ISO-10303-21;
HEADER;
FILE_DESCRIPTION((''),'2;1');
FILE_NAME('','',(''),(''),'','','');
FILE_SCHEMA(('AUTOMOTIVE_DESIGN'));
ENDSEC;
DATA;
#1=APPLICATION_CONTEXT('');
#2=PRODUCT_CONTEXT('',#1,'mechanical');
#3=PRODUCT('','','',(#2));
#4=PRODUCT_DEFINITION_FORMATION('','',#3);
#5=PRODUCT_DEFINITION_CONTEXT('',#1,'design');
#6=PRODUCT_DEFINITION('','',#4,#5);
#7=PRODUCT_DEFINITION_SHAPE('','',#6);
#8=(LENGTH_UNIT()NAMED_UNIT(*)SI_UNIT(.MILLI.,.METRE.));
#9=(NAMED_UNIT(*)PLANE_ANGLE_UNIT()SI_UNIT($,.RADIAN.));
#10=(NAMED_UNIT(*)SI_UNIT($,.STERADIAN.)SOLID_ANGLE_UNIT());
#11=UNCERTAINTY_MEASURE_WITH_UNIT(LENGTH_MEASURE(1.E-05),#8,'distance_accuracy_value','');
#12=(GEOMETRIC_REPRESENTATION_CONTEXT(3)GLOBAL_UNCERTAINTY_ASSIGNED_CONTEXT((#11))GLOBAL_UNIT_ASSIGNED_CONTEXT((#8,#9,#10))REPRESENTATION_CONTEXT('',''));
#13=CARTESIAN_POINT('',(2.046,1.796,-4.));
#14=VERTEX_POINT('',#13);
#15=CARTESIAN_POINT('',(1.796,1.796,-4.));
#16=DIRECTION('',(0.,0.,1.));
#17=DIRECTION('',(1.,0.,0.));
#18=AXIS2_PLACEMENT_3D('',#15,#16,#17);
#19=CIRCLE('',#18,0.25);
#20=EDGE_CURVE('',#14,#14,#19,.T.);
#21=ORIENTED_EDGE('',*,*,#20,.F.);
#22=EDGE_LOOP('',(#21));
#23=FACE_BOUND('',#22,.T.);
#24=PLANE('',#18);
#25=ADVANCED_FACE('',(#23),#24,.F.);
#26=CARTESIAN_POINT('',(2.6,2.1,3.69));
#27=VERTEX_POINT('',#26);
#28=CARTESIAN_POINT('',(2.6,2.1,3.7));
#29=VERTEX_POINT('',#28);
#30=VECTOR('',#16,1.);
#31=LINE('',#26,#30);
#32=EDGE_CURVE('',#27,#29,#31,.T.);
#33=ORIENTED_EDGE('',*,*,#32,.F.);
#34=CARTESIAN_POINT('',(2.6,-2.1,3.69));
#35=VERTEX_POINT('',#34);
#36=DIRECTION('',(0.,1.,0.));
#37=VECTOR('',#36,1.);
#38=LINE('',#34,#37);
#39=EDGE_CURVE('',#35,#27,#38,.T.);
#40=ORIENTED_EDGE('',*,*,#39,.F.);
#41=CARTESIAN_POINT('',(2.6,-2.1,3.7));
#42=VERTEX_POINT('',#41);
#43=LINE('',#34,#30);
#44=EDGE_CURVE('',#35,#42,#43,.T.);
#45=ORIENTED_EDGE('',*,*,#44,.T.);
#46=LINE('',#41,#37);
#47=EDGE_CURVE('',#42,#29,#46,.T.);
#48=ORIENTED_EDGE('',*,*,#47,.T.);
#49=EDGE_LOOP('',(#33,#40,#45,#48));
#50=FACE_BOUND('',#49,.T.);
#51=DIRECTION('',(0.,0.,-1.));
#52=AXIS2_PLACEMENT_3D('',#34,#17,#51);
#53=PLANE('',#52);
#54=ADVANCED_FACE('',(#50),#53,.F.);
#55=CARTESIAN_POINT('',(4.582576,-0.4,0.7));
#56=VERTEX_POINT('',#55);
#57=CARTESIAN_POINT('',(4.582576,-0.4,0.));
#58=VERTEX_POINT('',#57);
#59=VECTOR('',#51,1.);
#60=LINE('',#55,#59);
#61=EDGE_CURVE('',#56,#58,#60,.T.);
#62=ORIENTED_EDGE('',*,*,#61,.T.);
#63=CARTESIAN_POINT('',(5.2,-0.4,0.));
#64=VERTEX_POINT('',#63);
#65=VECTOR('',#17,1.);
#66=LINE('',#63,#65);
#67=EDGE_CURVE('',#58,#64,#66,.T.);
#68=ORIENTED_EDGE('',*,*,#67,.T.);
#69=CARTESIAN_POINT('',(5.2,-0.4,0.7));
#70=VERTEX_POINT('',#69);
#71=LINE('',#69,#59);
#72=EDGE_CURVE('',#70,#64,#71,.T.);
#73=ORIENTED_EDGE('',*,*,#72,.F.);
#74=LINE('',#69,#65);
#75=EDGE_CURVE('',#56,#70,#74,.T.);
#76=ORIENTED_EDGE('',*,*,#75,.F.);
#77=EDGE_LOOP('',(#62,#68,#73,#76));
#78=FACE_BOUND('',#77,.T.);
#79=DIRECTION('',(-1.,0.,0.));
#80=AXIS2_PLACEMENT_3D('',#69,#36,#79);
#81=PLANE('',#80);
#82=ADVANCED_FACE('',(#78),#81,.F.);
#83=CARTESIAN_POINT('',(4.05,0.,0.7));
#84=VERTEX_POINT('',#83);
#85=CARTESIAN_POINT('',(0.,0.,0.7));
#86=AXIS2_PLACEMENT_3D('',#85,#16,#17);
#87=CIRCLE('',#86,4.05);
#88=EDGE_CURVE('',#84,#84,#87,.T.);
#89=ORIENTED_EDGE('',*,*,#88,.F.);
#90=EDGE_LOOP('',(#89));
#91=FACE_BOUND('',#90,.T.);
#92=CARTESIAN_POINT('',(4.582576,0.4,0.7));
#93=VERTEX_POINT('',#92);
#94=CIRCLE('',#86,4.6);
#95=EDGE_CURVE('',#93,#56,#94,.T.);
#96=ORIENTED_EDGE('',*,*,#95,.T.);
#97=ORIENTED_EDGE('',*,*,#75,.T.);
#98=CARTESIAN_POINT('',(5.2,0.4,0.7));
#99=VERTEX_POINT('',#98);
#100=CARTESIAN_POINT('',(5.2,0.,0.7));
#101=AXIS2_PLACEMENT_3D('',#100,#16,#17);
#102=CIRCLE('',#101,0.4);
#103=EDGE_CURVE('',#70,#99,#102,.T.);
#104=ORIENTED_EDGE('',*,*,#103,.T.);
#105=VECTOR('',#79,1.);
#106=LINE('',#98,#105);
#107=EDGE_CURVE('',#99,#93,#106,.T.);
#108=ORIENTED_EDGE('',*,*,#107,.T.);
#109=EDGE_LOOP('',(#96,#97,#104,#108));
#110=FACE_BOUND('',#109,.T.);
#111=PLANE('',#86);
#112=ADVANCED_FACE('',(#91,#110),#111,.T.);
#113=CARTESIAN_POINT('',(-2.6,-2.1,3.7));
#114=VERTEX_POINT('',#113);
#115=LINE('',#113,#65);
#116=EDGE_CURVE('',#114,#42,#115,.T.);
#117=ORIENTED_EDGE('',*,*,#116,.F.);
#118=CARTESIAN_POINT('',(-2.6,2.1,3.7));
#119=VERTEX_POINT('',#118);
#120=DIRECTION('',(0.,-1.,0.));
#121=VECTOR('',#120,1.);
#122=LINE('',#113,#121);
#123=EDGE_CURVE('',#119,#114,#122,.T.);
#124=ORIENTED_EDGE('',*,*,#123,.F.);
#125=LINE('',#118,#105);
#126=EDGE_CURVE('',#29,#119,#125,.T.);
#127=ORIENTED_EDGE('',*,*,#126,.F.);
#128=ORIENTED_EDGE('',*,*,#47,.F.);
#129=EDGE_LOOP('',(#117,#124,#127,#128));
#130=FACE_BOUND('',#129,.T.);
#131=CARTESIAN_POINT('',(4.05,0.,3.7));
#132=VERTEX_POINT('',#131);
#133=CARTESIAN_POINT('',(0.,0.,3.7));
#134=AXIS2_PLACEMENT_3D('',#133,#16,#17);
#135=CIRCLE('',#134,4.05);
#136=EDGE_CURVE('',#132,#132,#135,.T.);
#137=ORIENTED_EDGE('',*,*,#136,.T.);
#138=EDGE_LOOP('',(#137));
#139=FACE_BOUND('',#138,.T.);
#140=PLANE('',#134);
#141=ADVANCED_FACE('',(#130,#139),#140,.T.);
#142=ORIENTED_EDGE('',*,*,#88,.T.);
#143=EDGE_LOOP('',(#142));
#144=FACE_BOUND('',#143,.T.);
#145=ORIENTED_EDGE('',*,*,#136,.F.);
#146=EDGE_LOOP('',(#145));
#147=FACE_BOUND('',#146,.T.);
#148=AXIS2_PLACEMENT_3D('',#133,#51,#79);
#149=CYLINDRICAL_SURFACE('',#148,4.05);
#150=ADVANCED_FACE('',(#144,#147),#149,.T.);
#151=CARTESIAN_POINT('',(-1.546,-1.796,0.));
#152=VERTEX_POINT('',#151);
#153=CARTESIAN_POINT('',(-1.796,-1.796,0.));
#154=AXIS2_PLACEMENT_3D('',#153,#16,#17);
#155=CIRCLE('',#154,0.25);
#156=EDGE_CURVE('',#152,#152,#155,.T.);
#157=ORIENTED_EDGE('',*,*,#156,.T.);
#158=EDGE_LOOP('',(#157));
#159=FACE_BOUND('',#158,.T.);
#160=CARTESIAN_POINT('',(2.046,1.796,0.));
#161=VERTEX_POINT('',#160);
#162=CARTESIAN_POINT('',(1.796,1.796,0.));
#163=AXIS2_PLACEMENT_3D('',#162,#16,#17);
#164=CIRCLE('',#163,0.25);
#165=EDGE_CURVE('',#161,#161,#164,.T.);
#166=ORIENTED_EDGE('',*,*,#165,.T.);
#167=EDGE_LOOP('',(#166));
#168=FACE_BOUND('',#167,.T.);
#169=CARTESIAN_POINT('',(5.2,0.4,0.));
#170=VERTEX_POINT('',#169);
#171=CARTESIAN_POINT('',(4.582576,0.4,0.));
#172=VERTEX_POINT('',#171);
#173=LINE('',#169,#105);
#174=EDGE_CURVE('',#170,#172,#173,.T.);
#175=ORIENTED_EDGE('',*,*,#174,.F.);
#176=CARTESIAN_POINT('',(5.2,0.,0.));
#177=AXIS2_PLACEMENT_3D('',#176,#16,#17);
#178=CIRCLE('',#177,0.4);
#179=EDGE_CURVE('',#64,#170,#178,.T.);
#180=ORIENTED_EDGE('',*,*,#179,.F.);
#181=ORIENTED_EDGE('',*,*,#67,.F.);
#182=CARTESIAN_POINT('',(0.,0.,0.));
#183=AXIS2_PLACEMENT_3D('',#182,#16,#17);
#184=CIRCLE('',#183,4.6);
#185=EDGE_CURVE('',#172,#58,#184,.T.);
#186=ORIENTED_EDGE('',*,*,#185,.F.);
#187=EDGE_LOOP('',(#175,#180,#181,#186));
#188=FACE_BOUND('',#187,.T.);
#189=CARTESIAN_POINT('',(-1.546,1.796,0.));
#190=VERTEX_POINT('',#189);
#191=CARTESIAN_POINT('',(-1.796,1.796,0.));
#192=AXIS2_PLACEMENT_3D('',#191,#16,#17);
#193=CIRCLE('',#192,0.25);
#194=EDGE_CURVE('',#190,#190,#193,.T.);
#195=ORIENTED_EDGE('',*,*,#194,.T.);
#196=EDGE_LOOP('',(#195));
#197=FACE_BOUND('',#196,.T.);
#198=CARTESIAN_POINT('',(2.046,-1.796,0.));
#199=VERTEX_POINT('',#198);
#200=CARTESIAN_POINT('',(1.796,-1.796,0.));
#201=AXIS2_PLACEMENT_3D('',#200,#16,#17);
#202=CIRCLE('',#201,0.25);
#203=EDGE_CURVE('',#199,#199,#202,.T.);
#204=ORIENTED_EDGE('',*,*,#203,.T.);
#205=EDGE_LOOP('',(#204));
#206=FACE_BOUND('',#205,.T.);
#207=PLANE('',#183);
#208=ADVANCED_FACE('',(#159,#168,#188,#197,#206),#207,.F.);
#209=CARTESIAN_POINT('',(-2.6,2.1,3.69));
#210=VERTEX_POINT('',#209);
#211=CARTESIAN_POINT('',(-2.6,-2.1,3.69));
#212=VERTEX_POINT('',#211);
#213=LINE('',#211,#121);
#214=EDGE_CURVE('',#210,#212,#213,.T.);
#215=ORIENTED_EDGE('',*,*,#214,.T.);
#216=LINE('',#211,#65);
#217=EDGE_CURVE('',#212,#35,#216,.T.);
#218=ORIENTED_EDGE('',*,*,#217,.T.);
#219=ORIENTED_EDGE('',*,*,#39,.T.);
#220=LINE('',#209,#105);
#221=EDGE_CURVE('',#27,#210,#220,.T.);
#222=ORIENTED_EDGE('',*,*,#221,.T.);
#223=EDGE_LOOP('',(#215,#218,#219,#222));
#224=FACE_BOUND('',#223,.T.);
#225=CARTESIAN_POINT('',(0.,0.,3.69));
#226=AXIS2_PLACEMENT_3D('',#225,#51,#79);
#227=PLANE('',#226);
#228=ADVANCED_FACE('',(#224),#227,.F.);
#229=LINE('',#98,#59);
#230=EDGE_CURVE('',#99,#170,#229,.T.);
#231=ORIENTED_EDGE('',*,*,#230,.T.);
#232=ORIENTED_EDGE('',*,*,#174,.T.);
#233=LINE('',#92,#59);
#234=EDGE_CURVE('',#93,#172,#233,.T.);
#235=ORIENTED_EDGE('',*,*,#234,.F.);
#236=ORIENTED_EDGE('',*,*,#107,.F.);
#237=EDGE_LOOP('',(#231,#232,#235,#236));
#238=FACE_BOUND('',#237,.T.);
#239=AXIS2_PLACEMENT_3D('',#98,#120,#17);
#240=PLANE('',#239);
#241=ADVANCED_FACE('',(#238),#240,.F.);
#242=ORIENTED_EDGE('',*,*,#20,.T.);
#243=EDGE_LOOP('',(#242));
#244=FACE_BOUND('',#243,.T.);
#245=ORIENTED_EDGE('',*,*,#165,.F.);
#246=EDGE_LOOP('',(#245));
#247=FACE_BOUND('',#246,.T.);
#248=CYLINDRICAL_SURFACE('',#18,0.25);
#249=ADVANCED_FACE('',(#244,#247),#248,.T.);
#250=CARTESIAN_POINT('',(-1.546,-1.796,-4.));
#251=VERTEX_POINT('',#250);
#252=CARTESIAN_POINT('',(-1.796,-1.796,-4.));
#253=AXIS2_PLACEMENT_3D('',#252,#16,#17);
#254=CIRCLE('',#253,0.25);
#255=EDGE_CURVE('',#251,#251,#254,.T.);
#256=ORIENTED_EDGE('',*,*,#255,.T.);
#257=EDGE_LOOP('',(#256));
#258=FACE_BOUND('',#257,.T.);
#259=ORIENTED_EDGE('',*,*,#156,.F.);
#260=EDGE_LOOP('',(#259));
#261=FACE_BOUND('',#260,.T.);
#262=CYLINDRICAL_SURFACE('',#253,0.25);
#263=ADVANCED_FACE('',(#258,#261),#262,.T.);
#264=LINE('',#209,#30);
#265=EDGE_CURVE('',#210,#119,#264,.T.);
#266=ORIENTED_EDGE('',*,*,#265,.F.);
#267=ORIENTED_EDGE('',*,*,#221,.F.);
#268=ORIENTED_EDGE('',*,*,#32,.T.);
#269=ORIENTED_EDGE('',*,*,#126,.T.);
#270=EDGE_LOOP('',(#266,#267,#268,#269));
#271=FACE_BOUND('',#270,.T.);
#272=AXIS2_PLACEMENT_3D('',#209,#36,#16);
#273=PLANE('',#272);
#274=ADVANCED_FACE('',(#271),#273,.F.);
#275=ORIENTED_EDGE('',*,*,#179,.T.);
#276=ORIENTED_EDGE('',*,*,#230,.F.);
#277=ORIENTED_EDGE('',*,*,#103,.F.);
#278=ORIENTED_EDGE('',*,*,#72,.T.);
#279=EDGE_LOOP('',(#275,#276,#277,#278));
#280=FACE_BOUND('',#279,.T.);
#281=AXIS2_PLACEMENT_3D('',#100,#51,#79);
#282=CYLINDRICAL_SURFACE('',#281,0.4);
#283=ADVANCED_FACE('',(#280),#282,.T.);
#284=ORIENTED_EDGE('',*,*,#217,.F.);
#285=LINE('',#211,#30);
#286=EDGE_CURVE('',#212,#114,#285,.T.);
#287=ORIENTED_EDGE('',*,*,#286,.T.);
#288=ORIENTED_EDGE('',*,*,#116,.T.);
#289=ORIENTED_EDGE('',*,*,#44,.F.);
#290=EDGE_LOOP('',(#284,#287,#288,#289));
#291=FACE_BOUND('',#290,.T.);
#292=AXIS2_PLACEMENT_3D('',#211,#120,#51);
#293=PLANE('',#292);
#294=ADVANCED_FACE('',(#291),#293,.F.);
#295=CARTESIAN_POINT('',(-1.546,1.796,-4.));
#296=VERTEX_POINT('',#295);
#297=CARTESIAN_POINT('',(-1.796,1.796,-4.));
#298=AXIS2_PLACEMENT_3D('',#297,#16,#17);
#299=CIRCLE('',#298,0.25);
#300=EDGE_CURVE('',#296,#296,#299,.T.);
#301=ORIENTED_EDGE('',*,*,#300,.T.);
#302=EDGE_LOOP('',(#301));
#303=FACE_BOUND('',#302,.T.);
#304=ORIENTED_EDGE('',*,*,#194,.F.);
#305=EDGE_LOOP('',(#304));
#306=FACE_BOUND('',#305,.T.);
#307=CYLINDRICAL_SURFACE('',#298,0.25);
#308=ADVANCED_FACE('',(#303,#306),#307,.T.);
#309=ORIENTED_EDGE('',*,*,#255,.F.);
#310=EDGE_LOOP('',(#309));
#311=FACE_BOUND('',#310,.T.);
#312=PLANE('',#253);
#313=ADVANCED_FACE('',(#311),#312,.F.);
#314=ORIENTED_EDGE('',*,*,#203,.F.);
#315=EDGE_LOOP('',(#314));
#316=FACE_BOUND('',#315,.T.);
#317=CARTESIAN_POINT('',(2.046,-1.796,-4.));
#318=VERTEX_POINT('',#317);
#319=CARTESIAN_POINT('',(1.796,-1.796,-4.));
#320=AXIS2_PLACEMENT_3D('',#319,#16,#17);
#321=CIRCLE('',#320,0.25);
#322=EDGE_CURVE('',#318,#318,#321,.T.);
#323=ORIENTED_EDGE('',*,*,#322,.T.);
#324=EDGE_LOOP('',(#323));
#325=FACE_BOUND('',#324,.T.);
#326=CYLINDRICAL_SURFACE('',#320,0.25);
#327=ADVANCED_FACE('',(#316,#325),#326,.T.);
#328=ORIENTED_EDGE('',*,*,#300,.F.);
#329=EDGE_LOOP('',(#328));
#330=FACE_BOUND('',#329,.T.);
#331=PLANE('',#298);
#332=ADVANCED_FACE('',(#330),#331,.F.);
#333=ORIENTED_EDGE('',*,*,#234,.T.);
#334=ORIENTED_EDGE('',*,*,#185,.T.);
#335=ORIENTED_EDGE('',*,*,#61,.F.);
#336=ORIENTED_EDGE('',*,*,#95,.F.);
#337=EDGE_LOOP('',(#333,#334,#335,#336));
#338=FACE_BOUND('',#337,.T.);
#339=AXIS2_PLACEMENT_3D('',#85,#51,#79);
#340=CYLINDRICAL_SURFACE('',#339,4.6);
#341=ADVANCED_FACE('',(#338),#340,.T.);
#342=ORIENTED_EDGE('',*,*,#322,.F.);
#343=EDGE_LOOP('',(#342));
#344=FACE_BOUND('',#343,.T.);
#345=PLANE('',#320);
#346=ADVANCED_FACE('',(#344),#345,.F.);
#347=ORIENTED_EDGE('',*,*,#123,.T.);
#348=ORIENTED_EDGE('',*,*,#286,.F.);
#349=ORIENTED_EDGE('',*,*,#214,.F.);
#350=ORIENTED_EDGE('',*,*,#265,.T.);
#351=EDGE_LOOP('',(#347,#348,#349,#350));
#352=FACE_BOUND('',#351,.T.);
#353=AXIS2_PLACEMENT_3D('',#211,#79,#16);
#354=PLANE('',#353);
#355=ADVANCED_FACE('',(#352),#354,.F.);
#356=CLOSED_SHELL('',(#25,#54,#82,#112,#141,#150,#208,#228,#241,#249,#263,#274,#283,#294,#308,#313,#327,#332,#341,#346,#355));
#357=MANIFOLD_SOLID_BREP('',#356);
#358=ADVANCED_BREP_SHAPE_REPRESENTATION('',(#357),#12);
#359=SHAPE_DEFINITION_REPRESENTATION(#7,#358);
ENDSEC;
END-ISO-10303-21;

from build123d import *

# Parameters (mm, degrees)
EXTRUDE_1_DEPTH     = 0.7
SKETCH_2_R          = 4.05
EXTRUDE_2_DEPTH     = 3
SKETCH_3_W          = 5.2
SKETCH_3_H          = 4.2
CUT_EXTRUDE_1_DEPTH = 0.01
SKETCH_4_R          = 0.25
EXTRUDE_3_DEPTH     = 4


with BuildPart() as part:
    # Эскиз1 → Бобышка-Вытянуть1 (new body)
    with BuildSketch(Plane.XY):
        with BuildLine():
            Line((5.2, 0.4), (4.582575695, 0.4))
            ThreePointArc((4.582575695, 0.4), (-4.6, 0), (4.582575695, -0.4))
            Line((4.582575695, -0.4), (5.2, -0.4))
            ThreePointArc((5.2, -0.4), (5.6, 0), (5.2, 0.4))
        make_face()
    extrude(amount=EXTRUDE_1_DEPTH)

    # Эскиз2 → Бобышка-Вытянуть2 (add)
    with BuildSketch(Plane.XY.offset(0.7)):
        Circle(SKETCH_2_R)
    extrude(amount=EXTRUDE_2_DEPTH)

    # Эскиз3 → Вырез-Вытянуть1 (cut)
    with BuildSketch(Plane.XY.offset(3.7)):
        Rectangle(SKETCH_3_W, SKETCH_3_H)
    extrude(amount=-CUT_EXTRUDE_1_DEPTH, mode=Mode.SUBTRACT)

    # Эскиз4 → Бобышка-Вытянуть3 (add)
    with BuildSketch(Plane.XY):
        with Locations((1.796, -1.796)):
            Circle(SKETCH_4_R)
        with Locations((1.796, 1.796)):
            Circle(SKETCH_4_R)
        with Locations((-1.796, 1.796)):
            Circle(SKETCH_4_R)
        with Locations((-1.796, -1.796)):
            Circle(SKETCH_4_R)
    extrude(amount=-EXTRUDE_3_DEPTH)


solid = part.part
